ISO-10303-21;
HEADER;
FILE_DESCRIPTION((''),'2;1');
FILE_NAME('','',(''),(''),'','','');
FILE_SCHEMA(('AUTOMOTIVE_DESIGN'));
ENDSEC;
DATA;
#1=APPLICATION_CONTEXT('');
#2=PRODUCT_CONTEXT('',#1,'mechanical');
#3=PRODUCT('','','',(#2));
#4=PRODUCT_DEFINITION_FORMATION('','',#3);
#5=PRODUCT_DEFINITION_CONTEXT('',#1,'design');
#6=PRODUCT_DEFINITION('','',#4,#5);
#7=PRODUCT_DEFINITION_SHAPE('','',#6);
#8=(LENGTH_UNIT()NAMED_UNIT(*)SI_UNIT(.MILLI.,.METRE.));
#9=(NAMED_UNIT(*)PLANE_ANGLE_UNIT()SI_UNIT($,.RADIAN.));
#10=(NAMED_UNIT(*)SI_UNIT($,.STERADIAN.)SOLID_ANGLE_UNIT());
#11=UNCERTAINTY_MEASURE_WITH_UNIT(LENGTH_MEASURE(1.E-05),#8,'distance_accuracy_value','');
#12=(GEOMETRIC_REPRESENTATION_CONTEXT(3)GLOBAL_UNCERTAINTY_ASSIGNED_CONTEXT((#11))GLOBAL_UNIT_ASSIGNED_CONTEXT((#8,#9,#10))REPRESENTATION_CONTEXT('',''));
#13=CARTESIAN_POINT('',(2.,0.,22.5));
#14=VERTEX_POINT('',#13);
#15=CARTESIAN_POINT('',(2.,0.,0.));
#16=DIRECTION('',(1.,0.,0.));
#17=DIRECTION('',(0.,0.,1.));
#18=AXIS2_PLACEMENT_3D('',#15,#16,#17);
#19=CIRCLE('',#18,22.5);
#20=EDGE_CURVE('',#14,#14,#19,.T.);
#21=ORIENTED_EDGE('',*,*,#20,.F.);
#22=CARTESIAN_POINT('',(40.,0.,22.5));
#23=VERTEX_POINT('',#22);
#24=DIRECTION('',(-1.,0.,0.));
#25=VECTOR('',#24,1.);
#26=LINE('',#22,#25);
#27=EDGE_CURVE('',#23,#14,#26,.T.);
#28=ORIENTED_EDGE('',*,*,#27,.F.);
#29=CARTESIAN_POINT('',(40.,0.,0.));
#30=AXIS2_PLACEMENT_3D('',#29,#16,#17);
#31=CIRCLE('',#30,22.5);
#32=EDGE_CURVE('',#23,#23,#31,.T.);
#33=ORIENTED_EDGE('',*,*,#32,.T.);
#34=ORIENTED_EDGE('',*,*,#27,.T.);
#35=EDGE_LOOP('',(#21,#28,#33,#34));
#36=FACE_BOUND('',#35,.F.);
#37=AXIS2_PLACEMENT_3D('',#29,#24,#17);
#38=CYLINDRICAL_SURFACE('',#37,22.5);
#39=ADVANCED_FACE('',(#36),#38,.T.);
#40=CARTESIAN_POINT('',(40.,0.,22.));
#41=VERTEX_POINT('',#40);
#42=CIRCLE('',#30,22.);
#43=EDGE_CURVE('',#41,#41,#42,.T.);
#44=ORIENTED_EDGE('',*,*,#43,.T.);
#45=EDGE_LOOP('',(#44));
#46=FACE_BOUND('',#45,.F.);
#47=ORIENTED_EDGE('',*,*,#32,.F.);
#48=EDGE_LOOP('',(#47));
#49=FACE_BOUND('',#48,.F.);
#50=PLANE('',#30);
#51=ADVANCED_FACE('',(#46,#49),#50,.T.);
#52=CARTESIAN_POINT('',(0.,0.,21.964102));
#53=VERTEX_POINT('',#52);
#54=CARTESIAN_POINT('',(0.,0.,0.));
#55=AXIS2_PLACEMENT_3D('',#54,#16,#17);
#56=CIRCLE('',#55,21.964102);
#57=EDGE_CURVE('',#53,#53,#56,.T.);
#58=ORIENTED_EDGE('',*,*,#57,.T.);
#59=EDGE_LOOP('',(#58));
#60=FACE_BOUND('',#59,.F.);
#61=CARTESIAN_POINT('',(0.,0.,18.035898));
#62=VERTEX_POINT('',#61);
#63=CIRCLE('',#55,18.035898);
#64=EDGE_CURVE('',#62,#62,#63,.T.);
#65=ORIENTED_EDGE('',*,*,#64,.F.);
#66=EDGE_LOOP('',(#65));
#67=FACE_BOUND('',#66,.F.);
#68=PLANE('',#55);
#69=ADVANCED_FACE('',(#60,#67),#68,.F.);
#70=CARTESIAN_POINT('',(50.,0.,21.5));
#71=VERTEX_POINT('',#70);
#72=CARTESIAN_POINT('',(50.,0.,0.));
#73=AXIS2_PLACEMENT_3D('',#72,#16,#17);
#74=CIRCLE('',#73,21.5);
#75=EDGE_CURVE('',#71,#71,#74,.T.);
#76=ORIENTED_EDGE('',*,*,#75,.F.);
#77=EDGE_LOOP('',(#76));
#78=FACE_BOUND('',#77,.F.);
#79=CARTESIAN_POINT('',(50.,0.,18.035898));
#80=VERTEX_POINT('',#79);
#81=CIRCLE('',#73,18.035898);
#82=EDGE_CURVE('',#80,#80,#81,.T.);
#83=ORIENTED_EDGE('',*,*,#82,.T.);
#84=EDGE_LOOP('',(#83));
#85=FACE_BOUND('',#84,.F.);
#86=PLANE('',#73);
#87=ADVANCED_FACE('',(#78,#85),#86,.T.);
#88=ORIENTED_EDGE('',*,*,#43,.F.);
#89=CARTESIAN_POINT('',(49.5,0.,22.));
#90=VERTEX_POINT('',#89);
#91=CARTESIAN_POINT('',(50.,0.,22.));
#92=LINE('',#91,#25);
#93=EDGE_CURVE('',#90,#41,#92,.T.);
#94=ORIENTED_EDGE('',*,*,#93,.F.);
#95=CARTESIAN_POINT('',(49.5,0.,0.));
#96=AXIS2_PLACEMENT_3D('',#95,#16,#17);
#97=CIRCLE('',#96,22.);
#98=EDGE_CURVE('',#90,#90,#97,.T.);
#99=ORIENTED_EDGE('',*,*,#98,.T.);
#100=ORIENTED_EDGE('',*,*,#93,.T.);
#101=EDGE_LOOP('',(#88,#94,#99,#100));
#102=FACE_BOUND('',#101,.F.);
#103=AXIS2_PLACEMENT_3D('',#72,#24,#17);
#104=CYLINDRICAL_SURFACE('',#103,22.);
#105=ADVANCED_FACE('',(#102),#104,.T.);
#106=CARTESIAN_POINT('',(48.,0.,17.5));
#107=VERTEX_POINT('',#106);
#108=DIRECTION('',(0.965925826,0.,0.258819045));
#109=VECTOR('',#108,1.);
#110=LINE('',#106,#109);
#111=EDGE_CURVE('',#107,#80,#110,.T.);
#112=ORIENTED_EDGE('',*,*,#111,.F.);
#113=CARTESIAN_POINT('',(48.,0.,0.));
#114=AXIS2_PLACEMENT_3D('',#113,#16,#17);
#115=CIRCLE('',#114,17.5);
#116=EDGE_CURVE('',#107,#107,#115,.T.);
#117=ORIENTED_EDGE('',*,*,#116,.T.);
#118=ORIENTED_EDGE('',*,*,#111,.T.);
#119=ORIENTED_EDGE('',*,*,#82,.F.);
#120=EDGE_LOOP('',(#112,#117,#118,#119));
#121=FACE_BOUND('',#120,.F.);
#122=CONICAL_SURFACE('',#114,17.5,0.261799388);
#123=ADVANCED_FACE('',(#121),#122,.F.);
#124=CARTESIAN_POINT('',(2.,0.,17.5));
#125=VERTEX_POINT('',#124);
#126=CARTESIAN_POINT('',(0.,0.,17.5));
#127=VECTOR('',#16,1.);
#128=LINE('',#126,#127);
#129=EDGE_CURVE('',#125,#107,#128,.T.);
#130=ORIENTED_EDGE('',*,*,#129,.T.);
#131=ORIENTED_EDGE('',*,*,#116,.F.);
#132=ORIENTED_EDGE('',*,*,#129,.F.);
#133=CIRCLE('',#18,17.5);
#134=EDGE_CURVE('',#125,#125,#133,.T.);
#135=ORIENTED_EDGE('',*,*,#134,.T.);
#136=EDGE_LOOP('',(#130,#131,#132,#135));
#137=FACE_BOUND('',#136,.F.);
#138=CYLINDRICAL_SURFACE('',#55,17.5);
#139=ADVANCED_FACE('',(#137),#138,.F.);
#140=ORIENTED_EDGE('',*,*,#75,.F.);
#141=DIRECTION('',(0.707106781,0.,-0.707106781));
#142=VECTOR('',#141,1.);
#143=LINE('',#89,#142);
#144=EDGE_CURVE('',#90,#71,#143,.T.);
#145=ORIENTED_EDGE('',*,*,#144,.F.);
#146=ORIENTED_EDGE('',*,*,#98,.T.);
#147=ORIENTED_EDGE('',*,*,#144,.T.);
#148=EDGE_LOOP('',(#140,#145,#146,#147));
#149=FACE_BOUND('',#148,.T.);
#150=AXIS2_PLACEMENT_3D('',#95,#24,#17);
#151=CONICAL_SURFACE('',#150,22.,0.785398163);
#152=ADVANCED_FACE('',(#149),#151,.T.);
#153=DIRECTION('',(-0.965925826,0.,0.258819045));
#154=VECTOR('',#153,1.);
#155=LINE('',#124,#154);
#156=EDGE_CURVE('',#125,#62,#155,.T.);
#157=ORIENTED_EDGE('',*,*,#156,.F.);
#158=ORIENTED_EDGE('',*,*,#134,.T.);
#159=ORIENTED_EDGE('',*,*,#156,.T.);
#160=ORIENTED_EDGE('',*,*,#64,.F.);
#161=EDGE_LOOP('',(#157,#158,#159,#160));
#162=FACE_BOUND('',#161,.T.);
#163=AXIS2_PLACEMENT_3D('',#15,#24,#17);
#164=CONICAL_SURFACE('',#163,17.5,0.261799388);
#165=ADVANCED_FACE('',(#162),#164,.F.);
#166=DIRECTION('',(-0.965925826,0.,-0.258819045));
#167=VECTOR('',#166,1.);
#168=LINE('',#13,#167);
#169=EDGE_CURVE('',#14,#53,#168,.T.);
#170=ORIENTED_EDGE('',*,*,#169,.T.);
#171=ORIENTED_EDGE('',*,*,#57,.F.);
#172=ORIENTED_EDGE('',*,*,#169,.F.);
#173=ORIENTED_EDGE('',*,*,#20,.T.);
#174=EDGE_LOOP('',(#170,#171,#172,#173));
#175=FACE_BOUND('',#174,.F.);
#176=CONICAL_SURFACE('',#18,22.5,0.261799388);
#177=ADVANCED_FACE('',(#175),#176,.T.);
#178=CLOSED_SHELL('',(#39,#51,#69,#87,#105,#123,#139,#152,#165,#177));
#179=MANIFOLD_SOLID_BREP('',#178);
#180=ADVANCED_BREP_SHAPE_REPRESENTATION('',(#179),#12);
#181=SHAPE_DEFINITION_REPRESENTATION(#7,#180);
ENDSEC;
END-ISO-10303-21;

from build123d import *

# Parameters (mm, degrees)
F2_SIZE2   = 0.5358983849
F2_SIZE    = 2
F2_2_SIZE2 = 0.5358983849
F2_2_SIZE  = 2
F3_SIZE    = 0.5


with BuildPart() as f1:
    # F0 (on Front) → F1 (revolve)
    with BuildSketch(Plane.XZ):
        Polygon((0, 22.5), (0, 17.5), (50, 17.5), (50, 22), (40, 22), (40, 22.5), align=None)
    revolve(axis=Axis((25, 0, 0), (1, 0, 0)))

    # F2
    f2_edges = [f1.edges().sort_by_distance(p)[0] for p in [
        (0, 0, -17.5),
        (50, 0, -17.5),
    ]]
    f2_side = f1.faces().sort_by_distance((25, 0, -17.5))[0]
    chamfer(f2_edges, length=F2_SIZE, length2=F2_SIZE2, reference=f2_side)

    # F2#2
    f2_2_edges = [f1.edges().sort_by_distance(p)[0] for p in [
        (0, 0, -22.5),
    ]]
    f2_2_side = f1.faces().sort_by_distance((20, 0, -22.5))[0]
    chamfer(f2_2_edges, length=F2_2_SIZE, length2=F2_2_SIZE2, reference=f2_2_side)

    # F3
    f3_edges = [f1.edges().sort_by_distance(p)[0] for p in [
        (50, 0, -22),
    ]]
    chamfer(f3_edges, length=F3_SIZE)


solid = f1.part
